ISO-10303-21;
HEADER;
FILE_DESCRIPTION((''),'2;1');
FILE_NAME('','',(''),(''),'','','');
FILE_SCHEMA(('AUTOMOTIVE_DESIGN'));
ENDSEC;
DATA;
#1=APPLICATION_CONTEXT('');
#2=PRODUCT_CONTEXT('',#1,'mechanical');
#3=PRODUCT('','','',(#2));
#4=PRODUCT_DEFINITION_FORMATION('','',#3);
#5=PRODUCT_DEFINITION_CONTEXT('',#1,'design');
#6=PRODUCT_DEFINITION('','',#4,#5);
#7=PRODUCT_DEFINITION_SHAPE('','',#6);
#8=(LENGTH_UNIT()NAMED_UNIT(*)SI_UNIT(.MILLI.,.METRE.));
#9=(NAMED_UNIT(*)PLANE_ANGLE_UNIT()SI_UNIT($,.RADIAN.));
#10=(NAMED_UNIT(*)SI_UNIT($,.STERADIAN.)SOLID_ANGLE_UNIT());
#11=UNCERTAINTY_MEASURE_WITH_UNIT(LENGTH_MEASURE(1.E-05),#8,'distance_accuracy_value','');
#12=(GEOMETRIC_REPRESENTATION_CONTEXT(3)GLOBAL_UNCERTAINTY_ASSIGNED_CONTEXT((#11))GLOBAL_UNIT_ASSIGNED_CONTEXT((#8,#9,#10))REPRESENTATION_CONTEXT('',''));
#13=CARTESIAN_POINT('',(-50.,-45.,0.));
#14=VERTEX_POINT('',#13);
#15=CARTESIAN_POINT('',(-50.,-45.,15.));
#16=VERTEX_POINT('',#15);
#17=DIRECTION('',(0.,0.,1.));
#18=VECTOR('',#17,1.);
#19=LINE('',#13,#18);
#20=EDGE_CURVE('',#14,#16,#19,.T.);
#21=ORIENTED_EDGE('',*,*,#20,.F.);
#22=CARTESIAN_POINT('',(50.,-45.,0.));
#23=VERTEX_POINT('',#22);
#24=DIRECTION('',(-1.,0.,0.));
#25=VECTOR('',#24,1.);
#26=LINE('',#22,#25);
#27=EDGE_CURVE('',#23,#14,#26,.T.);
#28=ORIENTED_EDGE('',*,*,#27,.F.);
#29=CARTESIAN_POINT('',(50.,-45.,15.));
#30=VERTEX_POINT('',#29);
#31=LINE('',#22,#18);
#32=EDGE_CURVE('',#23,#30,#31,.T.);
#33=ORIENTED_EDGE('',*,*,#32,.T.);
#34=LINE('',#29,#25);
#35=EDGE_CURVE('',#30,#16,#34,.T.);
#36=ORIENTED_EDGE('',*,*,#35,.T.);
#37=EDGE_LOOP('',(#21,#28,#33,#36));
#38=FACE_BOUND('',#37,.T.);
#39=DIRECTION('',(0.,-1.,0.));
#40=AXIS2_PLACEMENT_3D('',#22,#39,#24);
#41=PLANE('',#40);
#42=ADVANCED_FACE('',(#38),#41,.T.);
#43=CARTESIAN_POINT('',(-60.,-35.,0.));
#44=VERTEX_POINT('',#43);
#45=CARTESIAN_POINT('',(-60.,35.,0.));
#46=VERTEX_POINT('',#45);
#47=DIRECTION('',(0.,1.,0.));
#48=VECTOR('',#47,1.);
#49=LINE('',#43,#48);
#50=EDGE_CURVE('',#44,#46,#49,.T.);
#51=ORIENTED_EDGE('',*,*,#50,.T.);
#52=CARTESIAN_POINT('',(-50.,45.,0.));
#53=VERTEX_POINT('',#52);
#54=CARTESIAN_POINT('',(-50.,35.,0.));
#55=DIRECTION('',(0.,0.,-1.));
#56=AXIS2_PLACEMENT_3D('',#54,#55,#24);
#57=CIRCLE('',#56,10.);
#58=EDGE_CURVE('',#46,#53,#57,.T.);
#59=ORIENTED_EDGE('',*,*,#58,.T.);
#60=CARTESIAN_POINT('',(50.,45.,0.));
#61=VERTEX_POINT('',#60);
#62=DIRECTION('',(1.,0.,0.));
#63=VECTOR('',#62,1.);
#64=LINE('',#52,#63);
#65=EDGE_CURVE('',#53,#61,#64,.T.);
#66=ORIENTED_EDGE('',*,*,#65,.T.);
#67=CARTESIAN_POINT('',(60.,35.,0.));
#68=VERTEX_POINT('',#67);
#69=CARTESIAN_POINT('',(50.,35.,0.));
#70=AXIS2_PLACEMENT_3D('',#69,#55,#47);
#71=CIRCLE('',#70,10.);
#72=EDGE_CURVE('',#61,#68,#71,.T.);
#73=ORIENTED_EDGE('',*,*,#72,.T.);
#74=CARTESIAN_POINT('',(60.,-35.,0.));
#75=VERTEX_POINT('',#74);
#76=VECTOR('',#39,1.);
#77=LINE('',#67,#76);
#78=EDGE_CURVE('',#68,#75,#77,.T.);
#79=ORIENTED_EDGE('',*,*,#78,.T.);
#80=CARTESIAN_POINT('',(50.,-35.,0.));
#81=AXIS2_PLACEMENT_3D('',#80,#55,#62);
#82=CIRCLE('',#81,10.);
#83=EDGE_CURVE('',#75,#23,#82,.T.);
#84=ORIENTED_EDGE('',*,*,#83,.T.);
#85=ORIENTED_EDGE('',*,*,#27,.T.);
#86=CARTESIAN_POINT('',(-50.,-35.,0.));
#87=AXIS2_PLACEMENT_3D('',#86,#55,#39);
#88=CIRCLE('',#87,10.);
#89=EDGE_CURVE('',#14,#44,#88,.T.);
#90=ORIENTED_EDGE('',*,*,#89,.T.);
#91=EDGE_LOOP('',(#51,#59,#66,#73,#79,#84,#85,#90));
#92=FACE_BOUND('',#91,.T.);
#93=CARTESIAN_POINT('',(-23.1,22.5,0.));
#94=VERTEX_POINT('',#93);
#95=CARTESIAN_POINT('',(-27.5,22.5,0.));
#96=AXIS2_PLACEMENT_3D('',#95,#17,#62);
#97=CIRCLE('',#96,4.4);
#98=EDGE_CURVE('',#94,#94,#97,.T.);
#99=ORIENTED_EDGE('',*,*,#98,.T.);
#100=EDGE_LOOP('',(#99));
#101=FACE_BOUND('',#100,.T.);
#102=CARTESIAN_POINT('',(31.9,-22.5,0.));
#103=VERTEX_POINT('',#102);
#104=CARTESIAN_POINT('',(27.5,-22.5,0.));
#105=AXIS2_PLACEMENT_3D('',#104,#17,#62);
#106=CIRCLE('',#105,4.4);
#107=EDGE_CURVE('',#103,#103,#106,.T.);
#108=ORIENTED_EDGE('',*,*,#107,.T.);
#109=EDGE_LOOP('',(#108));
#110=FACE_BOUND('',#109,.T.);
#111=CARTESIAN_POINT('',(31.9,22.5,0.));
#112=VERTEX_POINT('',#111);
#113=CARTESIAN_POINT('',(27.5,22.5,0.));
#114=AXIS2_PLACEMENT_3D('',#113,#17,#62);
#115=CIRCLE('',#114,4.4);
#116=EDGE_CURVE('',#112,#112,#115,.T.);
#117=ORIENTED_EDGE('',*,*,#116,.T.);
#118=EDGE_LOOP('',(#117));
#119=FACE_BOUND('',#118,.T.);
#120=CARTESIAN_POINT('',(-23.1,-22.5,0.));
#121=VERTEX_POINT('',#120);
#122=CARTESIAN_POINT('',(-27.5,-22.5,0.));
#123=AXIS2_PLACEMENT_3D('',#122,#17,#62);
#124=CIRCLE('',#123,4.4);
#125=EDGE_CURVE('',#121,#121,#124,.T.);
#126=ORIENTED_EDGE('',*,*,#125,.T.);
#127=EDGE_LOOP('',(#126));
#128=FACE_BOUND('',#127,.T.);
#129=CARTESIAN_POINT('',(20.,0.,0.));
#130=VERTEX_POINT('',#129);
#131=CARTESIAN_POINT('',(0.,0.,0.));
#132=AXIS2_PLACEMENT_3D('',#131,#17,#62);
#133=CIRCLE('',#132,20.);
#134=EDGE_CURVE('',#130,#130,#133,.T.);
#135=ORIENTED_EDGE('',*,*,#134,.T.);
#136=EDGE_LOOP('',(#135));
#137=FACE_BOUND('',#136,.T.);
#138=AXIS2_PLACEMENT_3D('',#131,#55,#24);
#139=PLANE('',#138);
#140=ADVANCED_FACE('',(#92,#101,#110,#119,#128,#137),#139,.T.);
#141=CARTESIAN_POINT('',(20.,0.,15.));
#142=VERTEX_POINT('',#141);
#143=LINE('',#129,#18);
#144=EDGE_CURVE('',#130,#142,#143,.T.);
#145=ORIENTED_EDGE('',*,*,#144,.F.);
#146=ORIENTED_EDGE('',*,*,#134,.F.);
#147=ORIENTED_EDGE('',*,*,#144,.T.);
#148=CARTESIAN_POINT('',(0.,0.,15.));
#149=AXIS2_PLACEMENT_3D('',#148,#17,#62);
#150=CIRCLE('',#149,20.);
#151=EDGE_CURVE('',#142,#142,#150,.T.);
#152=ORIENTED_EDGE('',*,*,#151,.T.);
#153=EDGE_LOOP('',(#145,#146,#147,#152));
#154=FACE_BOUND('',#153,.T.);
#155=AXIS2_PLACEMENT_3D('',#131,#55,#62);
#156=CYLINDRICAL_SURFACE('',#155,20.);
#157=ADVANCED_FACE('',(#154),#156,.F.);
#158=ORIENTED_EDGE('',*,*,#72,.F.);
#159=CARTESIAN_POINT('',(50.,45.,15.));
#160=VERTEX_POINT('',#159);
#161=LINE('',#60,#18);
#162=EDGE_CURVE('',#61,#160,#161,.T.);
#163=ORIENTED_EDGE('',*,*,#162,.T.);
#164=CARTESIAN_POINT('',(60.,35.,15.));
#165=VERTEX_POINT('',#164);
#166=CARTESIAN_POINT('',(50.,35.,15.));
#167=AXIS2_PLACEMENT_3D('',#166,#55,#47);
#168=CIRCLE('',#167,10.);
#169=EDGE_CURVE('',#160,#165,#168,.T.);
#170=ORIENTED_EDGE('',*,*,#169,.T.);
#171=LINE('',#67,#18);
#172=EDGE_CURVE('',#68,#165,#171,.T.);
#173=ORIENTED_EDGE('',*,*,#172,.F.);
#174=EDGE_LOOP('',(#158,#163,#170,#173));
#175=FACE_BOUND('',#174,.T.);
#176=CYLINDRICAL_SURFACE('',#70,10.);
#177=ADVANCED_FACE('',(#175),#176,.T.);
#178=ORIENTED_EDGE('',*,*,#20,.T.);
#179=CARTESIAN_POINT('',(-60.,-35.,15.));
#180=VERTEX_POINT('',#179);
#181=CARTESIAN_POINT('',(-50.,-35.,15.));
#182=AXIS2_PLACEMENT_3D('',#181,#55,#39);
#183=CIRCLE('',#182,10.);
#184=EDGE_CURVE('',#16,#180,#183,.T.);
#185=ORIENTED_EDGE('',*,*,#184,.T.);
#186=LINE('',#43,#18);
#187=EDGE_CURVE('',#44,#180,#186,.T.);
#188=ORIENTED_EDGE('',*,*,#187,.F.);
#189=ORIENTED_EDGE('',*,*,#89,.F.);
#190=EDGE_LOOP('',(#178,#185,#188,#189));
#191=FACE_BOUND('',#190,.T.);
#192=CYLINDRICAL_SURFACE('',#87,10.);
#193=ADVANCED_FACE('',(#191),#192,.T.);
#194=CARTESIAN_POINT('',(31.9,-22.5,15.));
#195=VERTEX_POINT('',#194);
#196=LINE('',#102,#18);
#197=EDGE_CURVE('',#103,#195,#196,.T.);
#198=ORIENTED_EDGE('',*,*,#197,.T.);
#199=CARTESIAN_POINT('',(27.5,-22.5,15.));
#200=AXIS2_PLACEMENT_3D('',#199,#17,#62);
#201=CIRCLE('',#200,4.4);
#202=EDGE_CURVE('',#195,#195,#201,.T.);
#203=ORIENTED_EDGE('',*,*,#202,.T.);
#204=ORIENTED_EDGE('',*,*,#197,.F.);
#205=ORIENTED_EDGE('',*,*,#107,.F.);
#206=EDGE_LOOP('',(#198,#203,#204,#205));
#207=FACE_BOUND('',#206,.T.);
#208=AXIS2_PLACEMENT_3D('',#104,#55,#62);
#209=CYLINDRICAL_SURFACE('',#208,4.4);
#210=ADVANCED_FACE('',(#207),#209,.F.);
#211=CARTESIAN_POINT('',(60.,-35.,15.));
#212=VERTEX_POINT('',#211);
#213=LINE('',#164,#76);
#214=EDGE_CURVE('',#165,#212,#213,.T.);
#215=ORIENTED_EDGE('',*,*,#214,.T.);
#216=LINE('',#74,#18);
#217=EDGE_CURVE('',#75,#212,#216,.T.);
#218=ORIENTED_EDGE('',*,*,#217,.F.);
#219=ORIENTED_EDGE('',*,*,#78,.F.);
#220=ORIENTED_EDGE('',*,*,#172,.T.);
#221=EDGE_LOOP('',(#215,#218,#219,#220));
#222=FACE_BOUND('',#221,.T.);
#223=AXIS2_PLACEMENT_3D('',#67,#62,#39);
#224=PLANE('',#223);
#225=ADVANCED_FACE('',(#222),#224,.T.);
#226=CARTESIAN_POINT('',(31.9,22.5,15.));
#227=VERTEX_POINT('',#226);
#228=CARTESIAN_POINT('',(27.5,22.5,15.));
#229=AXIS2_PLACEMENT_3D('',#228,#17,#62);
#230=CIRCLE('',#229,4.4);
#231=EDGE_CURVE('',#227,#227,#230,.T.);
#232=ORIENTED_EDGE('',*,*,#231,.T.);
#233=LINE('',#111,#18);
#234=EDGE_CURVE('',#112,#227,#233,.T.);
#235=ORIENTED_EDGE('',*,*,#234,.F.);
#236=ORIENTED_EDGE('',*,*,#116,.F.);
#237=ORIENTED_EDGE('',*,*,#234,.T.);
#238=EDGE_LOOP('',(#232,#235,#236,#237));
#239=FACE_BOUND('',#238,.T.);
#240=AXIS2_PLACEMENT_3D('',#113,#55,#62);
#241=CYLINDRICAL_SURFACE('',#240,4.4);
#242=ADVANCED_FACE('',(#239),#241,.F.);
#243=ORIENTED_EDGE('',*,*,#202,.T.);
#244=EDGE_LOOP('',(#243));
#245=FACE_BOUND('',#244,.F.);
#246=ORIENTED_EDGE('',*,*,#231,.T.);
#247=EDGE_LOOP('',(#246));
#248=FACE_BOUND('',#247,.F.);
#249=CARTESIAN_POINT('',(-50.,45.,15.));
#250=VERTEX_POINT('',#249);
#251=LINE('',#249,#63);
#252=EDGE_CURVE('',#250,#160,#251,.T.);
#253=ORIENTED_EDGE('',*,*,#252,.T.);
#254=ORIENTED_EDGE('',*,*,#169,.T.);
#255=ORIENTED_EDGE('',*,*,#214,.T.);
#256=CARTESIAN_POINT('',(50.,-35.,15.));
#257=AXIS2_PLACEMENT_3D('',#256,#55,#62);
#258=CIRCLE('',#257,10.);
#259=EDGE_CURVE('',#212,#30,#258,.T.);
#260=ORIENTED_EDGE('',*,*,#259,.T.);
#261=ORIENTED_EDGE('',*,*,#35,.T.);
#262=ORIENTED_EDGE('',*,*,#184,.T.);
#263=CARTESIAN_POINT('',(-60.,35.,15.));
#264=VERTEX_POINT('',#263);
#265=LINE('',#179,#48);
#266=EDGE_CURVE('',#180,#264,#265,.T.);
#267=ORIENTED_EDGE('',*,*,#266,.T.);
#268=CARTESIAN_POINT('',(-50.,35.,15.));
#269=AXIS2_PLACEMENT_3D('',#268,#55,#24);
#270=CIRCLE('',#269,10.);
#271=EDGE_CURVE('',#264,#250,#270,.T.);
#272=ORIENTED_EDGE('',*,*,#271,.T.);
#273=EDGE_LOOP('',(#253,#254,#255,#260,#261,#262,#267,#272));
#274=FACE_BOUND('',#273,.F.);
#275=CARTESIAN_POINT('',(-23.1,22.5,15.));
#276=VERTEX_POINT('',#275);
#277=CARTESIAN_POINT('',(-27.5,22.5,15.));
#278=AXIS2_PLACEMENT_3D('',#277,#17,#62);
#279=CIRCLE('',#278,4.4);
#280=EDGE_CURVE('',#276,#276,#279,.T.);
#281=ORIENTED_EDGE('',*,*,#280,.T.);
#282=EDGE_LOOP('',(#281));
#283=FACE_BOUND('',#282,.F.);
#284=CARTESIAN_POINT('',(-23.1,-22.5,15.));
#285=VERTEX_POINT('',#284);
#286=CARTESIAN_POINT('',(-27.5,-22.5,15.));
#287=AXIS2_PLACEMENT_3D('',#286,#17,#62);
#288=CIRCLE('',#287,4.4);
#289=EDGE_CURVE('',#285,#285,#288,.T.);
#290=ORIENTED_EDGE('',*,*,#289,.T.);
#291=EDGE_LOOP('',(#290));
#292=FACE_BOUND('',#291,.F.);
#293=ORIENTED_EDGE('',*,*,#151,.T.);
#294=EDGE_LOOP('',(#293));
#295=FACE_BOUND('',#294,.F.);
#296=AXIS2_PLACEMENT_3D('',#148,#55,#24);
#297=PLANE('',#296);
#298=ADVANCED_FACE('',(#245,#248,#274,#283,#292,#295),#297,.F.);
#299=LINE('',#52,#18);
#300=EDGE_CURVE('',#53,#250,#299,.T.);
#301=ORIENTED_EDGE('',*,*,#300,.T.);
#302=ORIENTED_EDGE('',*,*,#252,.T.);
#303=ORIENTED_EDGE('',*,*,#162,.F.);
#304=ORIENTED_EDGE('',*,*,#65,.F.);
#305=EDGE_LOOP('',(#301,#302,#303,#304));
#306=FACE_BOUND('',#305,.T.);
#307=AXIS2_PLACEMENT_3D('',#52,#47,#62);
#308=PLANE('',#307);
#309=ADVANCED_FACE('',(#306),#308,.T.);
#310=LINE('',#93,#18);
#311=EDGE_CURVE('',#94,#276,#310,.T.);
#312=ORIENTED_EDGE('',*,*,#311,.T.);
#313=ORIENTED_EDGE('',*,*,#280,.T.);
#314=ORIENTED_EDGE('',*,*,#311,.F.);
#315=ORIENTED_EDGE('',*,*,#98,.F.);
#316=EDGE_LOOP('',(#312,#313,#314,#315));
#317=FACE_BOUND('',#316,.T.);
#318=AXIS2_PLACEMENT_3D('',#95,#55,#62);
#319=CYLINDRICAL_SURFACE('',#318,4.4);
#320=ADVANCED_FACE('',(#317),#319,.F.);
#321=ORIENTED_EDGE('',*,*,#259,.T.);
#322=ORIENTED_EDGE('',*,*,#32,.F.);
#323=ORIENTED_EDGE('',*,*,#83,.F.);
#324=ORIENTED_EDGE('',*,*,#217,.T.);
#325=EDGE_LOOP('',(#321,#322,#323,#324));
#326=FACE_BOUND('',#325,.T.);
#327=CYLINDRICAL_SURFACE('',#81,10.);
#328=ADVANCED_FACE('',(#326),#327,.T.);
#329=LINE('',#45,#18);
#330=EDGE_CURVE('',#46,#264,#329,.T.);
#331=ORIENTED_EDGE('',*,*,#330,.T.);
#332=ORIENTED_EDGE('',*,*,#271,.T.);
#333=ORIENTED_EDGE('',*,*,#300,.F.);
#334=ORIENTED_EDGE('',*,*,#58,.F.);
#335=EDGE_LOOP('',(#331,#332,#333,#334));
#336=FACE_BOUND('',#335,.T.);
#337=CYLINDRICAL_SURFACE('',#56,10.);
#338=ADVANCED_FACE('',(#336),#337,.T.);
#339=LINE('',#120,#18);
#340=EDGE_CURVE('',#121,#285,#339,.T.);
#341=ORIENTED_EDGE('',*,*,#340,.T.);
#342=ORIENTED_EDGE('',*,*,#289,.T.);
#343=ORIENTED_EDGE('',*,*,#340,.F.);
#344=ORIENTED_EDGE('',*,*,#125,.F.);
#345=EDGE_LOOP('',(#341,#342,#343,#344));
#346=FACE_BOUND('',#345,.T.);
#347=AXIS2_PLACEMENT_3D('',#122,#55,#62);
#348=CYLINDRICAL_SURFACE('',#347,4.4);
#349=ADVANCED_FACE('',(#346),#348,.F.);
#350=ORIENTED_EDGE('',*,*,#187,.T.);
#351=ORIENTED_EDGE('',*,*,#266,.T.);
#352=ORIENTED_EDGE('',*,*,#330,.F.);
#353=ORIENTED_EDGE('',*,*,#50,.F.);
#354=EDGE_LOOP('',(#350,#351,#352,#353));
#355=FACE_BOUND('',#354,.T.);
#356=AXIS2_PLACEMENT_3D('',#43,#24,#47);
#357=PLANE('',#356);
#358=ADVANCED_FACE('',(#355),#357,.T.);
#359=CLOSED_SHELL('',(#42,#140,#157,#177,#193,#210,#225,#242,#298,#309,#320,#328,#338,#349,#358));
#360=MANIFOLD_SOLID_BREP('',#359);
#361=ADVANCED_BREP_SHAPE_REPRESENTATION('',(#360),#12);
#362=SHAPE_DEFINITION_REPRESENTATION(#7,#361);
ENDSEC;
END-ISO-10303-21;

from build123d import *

# Parameters (mm, degrees)
SKETCH1_R           = 4.4
SKETCH1_R_2         = 20
BOSS_EXTRUDE1_DEPTH = 15


with BuildPart() as part:
    # Sketch1 → Boss-Extrude1 (new body)
    with BuildSketch(Plane.XY):
        with BuildLine():
            Line((-50, 45), (50, 45))
            ThreePointArc((50, 45), (57.071067812, 42.071067812), (60, 35))
            Line((60, 35), (60, -35))
            ThreePointArc((60, -35), (57.071067812, -42.071067812), (50, -45))
            Line((50, -45), (-50, -45))
            ThreePointArc((-50, -45), (-57.071067812, -42.071067812), (-60, -35))
            Line((-60, -35), (-60, 35))
            ThreePointArc((-60, 35), (-57.071067812, 42.071067812), (-50, 45))
        make_face()
        with Locations((-27.5, 22.5)):
            Circle(SKETCH1_R, mode=Mode.SUBTRACT)
        with Locations((27.5, 22.5)):
            Circle(SKETCH1_R, mode=Mode.SUBTRACT)
        with Locations((-27.5, -22.5)):
            Circle(SKETCH1_R, mode=Mode.SUBTRACT)
        with Locations((27.5, -22.5)):
            Circle(SKETCH1_R, mode=Mode.SUBTRACT)
        Circle(SKETCH1_R_2, mode=Mode.SUBTRACT)
    extrude(amount=BOSS_EXTRUDE1_DEPTH)


solid = part.part
